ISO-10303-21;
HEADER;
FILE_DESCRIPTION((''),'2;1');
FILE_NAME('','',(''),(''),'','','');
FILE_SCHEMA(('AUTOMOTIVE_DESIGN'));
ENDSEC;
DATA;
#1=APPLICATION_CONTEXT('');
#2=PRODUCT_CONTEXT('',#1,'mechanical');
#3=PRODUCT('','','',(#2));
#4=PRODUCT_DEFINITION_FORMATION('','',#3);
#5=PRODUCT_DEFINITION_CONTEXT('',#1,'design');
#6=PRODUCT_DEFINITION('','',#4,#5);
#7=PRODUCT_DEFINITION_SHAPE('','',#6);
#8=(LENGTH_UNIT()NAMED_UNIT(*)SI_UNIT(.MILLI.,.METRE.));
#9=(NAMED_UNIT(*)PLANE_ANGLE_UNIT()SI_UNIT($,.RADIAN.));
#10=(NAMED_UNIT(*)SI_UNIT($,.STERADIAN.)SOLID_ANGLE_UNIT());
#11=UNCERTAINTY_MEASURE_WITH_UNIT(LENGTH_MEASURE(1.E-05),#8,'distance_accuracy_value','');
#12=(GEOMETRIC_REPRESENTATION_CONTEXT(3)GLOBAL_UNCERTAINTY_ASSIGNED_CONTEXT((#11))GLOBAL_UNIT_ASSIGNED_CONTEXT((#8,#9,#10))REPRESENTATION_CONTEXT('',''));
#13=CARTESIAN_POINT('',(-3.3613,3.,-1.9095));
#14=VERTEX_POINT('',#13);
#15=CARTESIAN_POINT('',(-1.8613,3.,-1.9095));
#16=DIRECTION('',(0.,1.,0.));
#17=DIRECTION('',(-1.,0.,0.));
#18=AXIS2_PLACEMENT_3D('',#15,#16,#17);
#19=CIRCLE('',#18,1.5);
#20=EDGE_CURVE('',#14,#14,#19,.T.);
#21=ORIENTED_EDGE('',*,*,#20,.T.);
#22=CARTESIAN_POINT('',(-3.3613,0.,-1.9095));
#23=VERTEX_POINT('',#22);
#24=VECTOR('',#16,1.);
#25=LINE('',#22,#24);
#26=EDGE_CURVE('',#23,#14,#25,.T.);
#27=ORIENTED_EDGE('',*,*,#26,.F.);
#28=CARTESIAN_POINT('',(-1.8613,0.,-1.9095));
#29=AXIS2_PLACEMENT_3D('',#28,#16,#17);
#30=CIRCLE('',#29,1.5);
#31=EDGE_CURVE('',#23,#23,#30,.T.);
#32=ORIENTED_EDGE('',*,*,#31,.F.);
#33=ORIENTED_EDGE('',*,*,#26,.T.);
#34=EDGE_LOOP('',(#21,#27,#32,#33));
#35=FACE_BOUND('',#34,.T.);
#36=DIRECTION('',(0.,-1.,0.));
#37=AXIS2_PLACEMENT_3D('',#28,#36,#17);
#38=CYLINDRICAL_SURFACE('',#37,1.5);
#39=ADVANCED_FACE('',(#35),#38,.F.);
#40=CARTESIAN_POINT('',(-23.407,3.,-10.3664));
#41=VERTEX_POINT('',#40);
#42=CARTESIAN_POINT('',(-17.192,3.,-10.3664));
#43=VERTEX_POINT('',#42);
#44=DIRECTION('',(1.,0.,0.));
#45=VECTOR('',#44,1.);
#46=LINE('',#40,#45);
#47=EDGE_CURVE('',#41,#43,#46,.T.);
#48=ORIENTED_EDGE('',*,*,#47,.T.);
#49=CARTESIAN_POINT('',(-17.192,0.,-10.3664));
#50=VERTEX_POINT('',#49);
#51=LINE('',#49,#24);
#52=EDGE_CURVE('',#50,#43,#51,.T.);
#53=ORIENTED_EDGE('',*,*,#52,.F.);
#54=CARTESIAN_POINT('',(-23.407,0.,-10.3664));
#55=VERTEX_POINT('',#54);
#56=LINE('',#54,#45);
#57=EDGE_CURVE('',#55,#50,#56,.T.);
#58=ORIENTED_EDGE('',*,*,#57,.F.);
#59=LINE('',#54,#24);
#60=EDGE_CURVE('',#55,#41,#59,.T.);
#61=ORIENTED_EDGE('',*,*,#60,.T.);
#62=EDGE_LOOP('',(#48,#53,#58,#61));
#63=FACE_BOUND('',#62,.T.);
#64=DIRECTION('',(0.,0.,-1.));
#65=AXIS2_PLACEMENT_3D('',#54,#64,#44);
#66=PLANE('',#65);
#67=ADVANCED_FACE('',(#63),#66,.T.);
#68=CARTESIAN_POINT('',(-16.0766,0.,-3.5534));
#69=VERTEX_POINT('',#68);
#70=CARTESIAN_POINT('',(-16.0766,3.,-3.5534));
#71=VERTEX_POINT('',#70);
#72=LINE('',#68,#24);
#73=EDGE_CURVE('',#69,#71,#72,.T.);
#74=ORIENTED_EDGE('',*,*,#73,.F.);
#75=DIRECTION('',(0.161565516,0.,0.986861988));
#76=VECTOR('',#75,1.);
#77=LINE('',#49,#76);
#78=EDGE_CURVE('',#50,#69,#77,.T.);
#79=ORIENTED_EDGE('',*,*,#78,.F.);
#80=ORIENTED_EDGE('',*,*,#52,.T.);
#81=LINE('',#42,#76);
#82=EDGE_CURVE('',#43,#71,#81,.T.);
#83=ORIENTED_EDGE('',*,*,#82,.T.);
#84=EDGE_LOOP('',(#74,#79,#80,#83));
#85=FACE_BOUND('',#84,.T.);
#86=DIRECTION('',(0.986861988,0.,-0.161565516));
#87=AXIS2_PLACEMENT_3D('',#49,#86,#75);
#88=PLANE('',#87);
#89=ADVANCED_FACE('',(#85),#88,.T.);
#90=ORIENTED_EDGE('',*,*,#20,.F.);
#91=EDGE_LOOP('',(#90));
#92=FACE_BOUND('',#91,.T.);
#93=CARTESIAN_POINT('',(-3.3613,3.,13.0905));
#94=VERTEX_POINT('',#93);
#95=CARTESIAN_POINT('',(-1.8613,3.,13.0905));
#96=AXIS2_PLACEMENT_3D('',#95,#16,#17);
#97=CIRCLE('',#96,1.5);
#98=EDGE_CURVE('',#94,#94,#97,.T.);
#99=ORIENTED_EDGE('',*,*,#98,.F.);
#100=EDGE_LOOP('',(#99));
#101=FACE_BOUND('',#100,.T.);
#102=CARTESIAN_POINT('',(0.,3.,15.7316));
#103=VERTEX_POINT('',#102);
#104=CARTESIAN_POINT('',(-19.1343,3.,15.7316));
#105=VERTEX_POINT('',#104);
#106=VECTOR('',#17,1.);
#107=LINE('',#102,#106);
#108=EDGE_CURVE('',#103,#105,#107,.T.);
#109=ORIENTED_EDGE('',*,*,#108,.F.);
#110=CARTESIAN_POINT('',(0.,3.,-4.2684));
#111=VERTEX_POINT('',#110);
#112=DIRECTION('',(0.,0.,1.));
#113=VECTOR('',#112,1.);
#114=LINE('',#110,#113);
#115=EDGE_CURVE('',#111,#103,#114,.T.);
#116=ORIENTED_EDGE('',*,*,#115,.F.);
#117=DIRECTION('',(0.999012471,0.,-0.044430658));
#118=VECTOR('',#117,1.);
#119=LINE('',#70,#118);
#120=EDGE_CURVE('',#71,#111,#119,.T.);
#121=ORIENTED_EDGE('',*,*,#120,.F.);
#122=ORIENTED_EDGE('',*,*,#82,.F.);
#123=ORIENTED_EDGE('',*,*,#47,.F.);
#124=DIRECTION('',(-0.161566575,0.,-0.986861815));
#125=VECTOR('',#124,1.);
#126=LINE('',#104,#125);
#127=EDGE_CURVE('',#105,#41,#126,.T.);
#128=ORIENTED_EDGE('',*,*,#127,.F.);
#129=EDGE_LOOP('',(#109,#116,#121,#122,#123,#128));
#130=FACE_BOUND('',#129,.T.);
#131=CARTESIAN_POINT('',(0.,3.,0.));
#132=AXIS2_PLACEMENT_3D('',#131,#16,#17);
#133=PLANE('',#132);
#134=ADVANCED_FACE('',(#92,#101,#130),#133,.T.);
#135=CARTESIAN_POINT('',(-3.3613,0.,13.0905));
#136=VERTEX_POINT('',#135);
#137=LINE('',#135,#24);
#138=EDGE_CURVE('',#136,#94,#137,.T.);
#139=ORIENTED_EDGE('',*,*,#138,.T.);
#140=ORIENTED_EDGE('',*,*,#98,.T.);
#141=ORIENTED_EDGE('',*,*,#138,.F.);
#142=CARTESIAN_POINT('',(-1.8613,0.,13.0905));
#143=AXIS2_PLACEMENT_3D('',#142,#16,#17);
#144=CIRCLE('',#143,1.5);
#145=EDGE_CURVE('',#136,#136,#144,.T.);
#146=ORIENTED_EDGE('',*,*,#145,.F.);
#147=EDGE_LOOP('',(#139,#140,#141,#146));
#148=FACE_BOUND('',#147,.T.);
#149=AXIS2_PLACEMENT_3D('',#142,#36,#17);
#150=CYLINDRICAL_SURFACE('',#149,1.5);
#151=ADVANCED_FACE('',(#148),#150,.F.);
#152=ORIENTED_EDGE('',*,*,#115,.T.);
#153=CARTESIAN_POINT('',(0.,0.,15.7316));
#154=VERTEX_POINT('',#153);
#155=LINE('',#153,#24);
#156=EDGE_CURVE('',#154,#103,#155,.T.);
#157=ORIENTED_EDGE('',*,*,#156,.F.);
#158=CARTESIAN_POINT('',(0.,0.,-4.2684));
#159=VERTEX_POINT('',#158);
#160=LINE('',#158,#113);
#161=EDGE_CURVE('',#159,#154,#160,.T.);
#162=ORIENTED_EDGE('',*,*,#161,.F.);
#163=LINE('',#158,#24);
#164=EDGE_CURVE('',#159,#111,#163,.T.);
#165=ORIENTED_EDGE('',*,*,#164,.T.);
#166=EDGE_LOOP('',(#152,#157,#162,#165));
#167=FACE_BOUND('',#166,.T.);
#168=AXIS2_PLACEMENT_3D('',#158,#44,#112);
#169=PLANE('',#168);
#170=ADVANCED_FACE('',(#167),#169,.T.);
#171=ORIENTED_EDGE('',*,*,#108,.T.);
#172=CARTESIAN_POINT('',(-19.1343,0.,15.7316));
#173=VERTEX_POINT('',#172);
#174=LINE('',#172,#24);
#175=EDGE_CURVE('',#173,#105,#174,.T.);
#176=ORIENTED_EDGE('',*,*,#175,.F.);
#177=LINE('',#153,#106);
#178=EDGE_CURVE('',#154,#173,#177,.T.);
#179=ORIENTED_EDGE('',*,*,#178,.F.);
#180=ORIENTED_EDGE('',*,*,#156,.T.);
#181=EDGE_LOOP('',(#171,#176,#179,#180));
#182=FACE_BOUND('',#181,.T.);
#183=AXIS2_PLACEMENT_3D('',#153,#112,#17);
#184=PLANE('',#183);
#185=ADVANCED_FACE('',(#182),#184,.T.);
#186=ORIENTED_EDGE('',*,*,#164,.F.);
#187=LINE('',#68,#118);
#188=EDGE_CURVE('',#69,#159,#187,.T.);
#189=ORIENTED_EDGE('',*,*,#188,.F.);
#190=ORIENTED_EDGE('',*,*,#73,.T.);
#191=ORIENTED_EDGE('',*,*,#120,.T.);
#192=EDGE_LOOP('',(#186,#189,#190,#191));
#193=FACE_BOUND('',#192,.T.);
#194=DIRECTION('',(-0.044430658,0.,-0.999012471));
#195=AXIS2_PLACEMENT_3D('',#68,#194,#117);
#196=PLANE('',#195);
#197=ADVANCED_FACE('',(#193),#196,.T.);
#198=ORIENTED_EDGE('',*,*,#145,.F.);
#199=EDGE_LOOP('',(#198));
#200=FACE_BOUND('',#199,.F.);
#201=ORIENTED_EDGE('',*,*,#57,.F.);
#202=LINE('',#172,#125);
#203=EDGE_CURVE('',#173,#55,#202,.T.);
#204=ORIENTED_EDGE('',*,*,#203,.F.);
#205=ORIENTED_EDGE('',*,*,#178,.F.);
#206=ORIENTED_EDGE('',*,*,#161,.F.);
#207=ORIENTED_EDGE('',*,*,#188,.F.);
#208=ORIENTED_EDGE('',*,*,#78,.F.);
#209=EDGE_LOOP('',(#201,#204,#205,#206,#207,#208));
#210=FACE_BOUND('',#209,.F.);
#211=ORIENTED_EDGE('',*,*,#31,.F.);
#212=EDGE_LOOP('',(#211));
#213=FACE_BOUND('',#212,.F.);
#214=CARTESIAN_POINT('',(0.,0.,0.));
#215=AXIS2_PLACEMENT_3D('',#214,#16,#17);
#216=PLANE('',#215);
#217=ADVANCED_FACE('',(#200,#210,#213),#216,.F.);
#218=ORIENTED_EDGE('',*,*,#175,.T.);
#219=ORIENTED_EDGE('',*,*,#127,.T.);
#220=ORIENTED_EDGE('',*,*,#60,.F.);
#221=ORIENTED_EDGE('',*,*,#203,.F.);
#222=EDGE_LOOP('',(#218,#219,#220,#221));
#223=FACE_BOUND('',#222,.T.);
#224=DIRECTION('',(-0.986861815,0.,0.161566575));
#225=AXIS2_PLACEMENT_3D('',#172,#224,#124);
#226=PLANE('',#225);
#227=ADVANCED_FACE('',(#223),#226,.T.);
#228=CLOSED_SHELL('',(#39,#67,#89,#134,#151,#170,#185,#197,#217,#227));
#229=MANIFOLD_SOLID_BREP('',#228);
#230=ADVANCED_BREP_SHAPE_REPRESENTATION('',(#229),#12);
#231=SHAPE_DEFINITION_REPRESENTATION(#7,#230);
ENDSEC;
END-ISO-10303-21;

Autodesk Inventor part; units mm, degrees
ref_plane "YZ Plane" through (0, 0, 0) normal (1, 0, 0) x (0, 1, 0)
ref_plane "XZ Plane" through (0, 0, 0) normal (0, 1, 0) x (-1, 0, 0)
ref_plane "XY Plane" through (0, 0, 0) normal (0, 0, 1) x (1, 0, 0)
sketch "Sketch1" plane through (0, 0, 0) normal (0, 1, 0) x (-1, 0, 0)
  line L0 (0, -4.2684) -> (0, 15.7316)
  line L1 (0, 15.7316) -> (19.1343, 15.7316)
  line L2 (19.1343, 15.7316) -> (23.407, -10.3664)
  line L3 (23.407, -10.3664) -> (17.192, -10.3664)
  line L4 (17.192, -10.3664) -> (16.0766, -3.5534)
  line L5 (16.0766, -3.5534) -> (0, -4.2684)
  circle A0 centre (1.8613, 13.0905) radius 1.5
  circle A1 centre (1.8613, -1.9095) radius 1.5
  point P0 (0, 0)
  dimension "d0" = 3
  dimension "d1" = 3
  dimension "d2" = 15
  dimension "d3" = 20
extrude "Extrusion1" add sketch "Sketch1" along normal blind 3
properties part number "garra"
